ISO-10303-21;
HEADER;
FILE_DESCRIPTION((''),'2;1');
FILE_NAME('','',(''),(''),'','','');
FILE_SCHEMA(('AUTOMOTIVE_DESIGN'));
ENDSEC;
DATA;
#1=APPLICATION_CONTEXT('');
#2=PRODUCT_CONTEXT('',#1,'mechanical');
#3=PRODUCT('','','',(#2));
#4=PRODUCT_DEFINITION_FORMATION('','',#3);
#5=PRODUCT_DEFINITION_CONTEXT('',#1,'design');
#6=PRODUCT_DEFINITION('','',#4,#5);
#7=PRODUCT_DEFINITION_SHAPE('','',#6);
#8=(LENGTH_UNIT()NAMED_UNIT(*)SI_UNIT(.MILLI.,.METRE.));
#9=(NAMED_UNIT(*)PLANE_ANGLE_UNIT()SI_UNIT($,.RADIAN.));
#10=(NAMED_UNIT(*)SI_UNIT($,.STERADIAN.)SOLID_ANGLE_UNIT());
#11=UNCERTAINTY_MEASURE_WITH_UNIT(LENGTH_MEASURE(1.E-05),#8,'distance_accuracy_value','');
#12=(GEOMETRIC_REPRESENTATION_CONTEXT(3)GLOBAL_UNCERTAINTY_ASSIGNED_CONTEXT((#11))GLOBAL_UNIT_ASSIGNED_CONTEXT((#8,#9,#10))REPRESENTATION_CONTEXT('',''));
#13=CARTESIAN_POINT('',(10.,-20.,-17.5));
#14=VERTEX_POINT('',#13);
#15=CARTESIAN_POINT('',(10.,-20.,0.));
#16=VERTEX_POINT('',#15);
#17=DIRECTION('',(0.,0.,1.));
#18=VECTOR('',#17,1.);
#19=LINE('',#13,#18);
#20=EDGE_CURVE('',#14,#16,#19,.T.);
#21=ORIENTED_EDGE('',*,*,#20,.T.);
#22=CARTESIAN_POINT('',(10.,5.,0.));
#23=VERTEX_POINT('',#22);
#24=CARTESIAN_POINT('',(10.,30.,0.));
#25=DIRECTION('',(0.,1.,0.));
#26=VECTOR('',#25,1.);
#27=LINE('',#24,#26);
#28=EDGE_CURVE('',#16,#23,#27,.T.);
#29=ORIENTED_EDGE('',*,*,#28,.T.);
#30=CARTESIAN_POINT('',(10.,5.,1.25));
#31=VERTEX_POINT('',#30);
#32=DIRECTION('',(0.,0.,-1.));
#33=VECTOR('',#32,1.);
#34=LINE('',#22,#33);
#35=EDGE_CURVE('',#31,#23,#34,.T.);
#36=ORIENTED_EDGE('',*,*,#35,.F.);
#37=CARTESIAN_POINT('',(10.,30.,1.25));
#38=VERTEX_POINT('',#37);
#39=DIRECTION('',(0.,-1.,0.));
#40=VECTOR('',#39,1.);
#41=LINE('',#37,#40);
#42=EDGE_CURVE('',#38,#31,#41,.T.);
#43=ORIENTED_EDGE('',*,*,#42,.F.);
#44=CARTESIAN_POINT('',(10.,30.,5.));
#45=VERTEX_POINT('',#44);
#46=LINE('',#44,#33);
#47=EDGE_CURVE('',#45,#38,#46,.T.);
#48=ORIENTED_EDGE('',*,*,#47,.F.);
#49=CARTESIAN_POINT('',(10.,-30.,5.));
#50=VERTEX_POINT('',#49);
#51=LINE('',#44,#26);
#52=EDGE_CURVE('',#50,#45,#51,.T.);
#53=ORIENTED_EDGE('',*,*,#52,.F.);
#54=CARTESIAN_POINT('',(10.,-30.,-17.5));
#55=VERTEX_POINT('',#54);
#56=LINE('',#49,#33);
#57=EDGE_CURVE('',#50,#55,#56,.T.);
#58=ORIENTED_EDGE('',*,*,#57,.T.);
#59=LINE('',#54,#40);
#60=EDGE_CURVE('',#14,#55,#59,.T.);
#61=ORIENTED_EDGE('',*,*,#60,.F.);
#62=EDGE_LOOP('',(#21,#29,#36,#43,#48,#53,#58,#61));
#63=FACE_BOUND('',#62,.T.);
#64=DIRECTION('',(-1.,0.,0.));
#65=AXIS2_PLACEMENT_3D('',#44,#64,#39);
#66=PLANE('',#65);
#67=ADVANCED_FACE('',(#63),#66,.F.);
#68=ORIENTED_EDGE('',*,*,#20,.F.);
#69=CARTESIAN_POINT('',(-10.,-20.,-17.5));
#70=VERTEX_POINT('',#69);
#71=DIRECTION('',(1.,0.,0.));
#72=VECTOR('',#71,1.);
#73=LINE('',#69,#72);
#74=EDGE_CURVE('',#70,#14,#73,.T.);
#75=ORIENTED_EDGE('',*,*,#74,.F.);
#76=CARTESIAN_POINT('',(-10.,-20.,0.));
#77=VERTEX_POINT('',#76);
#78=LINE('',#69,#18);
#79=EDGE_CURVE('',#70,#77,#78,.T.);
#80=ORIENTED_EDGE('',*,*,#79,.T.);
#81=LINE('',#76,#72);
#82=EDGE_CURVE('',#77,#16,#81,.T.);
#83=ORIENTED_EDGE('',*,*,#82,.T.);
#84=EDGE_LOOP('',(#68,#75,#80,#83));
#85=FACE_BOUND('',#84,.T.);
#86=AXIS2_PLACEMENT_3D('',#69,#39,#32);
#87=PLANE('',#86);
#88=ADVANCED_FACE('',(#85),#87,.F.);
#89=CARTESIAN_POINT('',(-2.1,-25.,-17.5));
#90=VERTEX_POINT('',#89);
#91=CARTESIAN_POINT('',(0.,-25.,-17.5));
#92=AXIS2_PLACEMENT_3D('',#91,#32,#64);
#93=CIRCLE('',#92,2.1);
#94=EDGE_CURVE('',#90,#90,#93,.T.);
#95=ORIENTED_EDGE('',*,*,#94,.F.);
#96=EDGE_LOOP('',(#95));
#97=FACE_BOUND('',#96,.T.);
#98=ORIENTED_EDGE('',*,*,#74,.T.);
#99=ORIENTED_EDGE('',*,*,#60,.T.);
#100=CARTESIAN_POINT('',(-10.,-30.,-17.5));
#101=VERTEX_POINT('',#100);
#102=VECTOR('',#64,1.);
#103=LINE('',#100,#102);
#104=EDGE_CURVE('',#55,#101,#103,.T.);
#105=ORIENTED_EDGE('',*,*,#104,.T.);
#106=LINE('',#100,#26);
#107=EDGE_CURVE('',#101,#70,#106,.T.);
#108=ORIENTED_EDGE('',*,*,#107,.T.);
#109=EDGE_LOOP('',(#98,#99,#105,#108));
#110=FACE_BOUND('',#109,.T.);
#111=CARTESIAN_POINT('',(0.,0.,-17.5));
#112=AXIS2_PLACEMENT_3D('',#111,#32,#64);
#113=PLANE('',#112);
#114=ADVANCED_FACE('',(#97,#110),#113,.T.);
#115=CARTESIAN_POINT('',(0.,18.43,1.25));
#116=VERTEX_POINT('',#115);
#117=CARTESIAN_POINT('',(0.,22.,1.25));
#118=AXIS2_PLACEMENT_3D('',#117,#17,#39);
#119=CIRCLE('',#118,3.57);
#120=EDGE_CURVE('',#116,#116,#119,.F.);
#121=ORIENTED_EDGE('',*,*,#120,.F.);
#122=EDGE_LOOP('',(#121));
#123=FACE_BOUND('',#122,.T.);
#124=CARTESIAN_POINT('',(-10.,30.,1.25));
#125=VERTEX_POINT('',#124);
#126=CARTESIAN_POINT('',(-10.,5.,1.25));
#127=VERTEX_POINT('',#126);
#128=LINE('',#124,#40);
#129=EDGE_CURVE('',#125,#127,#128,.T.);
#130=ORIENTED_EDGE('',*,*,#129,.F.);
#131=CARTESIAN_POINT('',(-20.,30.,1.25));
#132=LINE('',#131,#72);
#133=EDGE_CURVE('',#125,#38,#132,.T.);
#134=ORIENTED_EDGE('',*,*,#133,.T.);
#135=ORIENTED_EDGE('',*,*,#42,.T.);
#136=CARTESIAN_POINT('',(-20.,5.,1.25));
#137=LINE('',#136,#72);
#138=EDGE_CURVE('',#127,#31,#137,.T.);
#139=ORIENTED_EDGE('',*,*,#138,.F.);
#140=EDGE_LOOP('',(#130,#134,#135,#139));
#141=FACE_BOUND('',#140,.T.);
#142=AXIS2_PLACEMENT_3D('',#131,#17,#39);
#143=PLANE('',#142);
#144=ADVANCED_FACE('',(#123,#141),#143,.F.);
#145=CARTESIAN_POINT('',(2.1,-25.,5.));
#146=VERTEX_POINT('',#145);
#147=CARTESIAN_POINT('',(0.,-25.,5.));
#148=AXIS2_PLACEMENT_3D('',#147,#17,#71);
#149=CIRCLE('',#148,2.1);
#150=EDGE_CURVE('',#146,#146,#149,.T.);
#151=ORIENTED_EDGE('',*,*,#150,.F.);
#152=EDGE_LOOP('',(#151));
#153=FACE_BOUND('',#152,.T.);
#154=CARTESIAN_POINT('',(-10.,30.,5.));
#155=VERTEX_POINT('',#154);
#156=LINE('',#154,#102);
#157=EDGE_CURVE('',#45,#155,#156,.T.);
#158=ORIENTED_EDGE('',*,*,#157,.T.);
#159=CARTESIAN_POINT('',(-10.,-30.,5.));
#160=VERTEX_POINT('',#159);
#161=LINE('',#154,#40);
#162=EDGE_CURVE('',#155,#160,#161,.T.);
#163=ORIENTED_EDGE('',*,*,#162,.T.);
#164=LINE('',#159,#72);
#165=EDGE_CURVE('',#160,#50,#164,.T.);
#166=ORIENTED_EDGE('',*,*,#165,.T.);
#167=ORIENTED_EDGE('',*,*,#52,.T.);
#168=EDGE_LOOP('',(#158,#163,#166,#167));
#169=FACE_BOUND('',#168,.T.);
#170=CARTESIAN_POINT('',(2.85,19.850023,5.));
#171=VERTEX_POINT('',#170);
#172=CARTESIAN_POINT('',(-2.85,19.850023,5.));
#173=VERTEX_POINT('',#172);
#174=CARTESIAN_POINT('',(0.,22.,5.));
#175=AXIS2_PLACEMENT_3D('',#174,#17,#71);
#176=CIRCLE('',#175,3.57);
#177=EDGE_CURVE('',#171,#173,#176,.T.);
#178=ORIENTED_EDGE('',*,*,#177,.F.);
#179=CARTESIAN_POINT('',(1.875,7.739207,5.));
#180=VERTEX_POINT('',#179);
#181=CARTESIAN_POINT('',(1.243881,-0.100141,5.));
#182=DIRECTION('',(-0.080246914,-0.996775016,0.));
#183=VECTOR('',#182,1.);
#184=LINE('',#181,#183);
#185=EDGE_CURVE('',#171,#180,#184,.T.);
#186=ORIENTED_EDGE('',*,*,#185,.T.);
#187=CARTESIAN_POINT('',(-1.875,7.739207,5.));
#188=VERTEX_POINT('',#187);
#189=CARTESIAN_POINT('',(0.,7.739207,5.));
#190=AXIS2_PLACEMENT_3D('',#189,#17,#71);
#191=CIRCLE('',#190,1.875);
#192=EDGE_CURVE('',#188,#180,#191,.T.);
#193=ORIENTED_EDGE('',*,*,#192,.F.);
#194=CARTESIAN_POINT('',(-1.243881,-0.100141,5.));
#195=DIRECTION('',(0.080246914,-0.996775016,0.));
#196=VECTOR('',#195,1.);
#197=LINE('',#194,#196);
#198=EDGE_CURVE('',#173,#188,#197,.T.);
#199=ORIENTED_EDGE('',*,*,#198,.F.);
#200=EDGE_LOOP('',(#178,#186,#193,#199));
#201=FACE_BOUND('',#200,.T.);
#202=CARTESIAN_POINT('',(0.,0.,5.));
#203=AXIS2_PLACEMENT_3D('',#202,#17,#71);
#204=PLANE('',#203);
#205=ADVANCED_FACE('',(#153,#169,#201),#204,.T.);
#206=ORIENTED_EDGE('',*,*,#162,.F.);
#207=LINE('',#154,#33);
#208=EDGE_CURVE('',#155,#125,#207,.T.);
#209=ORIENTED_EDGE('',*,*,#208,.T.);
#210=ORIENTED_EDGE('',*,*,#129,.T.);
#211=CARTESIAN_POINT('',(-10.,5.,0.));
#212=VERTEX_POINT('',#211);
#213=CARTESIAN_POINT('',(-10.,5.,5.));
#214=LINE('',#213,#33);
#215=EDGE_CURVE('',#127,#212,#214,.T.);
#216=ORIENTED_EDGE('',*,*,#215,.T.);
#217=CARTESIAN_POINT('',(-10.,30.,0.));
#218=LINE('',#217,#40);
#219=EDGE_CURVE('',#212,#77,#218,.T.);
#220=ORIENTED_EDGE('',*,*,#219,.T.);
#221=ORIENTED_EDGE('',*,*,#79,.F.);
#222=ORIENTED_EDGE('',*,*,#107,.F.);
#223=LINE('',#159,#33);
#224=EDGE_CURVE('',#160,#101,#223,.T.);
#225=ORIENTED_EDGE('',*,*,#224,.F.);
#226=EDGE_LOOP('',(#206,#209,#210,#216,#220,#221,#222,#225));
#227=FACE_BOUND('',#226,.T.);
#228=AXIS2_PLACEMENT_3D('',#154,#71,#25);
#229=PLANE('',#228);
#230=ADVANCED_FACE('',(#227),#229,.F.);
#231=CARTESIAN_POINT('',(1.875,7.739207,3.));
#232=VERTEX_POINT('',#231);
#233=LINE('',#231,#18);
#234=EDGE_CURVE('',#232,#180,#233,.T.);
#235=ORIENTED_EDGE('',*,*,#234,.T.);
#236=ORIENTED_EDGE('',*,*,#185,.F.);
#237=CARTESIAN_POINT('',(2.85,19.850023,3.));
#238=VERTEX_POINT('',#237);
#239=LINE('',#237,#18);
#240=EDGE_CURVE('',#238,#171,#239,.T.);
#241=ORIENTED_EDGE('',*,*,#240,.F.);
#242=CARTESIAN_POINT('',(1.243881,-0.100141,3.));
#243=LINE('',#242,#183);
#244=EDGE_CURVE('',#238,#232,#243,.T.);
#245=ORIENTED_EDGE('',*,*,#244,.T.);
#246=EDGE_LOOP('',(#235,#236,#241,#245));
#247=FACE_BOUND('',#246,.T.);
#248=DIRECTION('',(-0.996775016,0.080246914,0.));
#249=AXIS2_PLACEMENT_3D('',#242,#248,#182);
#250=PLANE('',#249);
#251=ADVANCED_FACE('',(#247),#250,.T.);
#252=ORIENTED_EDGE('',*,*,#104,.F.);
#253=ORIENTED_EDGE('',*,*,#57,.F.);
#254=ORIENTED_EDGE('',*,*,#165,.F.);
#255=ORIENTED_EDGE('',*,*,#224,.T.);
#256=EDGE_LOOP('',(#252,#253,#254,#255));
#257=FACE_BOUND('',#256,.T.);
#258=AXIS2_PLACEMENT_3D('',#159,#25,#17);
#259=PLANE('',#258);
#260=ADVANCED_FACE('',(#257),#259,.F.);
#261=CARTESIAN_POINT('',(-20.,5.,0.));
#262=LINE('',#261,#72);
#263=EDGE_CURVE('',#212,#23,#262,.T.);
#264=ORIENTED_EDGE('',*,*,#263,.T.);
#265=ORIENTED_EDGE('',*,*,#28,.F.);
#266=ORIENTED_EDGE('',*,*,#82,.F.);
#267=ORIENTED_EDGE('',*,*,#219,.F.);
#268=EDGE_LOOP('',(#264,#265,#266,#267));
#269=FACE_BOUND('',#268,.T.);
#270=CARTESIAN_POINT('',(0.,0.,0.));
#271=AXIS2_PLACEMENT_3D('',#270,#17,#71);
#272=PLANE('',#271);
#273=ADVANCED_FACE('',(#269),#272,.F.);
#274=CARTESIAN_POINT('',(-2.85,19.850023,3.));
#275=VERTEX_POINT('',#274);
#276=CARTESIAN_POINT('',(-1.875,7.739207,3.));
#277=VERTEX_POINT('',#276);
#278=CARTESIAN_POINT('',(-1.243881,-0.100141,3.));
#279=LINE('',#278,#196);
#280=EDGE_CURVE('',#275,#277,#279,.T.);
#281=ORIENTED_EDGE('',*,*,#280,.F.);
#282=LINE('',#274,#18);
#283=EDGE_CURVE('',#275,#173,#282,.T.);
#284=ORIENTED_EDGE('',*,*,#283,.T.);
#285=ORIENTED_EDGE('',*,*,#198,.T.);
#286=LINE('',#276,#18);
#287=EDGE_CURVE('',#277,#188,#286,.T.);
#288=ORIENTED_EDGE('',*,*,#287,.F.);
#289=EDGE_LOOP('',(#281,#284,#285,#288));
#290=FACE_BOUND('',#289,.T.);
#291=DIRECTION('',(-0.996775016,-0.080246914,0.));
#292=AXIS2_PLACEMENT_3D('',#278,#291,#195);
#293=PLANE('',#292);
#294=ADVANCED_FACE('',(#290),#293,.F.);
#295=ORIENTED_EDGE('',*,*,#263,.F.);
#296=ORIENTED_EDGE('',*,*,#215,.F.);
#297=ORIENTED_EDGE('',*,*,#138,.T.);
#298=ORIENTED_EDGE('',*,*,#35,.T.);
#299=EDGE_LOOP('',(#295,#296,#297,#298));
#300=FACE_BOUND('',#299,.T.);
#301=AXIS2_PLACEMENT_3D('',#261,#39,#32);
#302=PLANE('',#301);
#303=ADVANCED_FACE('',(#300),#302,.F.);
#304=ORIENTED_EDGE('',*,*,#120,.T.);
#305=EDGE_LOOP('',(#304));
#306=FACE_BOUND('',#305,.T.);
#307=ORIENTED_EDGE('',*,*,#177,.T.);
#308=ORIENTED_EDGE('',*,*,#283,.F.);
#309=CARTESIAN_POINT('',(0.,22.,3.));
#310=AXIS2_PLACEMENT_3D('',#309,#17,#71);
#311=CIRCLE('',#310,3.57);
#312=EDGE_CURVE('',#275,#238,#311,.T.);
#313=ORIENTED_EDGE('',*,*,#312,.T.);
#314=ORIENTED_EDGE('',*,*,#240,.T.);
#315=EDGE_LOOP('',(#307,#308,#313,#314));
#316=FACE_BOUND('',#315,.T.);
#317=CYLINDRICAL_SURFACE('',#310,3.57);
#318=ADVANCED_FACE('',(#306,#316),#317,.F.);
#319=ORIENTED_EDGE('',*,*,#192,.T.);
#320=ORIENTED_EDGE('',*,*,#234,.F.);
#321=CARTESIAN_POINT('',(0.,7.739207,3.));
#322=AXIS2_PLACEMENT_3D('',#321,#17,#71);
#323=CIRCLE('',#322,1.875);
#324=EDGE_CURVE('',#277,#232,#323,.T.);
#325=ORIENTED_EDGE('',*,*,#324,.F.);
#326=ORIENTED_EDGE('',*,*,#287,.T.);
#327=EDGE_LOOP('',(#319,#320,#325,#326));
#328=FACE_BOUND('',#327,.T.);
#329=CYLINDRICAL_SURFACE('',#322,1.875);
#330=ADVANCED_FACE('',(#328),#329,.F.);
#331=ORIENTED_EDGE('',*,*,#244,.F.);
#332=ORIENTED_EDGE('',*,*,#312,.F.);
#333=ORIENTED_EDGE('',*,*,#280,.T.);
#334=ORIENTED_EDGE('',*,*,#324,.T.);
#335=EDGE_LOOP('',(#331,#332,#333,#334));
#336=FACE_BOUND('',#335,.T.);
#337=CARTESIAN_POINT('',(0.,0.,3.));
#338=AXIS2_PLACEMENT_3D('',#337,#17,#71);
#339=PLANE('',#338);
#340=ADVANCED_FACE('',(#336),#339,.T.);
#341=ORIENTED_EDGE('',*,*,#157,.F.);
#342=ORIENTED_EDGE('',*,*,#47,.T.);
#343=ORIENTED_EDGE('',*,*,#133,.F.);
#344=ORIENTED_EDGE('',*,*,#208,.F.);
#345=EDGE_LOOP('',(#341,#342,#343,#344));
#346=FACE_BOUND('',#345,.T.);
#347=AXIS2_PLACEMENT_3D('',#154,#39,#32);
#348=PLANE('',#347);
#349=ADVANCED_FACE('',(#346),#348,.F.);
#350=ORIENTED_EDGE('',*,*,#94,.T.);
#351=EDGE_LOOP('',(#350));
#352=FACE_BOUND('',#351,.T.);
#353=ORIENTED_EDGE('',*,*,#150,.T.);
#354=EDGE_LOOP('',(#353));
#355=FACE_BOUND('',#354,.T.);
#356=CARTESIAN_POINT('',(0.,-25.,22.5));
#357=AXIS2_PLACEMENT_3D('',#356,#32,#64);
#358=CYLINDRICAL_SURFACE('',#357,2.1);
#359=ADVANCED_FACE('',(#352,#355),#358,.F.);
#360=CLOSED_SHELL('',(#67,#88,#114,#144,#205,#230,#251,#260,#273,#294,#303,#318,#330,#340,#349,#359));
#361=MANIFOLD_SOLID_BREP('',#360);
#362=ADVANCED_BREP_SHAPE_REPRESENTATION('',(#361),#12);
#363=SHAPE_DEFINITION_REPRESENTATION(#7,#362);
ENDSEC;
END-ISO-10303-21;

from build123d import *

# Parameters (mm, degrees)
SKETCH3_W           = 20
SKETCH3_H           = 60
BOSS_EXTRUDE3_DEPTH = 5
CUT_EXTRUDE2_DEPTH  = 2
SKETCH6_R           = 3.57
CUT_EXTRUDE3_DEPTH  = 3
SKETCH7_W           = 20
SKETCH7_H           = 10
BOSS_EXTRUDE4_DEPTH = 17.5
SKETCH8_R           = 2.1
CUT_EXTRUDE4_DEPTH  = 40
SKETCH9_W           = 1.25
SKETCH9_H           = 25
CUT_EXTRUDE5_DEPTH  = 30


with BuildPart() as part:
    # Sketch3 → Boss-Extrude3 (new body)
    with BuildSketch(Plane.XY):
        Rectangle(SKETCH3_W, SKETCH3_H)
    extrude(amount=BOSS_EXTRUDE3_DEPTH)

    # Sketch4 → Cut-Extrude2 (cut)
    with BuildSketch(Plane.XY.offset(5)):
        with BuildLine():
            Line((-2.85, 19.850023256), (-1.875, 7.739206809))
            Line((-1.875, 7.739206809), (1.875, 7.739206809))
            Line((1.875, 7.739206809), (2.85, 19.850023256))
            ThreePointArc((2.85, 19.850023256), (0, 18.43), (-2.85, 19.850023256))
        make_face()
        with BuildLine():
            Line((1.875, 7.739206809), (-1.875, 7.739206809))
            ThreePointArc((-1.875, 7.739206809), (0, 5.864206809), (1.875, 7.739206809))
        make_face()
        with BuildLine():
            ThreePointArc((3.57, 22), (-1.133666618, 25.385217866), (-2.85, 19.850023256))
            Line((-2.85, 19.850023256), (2.85, 19.850023256))
            ThreePointArc((2.85, 19.850023256), (3.385217866, 20.866333382), (3.57, 22))
        make_face()
        with BuildLine():
            Line((2.85, 19.850023256), (-2.85, 19.850023256))
            ThreePointArc((-2.85, 19.850023256), (0, 18.43), (2.85, 19.850023256))
        make_face()
    extrude(amount=-CUT_EXTRUDE2_DEPTH, mode=Mode.SUBTRACT)

    # Sketch6 → Cut-Extrude3 (cut)
    with BuildSketch(Plane.XY.offset(3)):
        with Locations((0, 22)):
            Circle(SKETCH6_R)
    extrude(amount=-CUT_EXTRUDE3_DEPTH, mode=Mode.SUBTRACT)

    # Sketch7 → Boss-Extrude4 (add)
    with BuildSketch(Plane(origin=(0, 0, 0), x_dir=(-1, 0, 0), z_dir=(0, 0, -1))):
        with Locations((0, -25)):
            Rectangle(SKETCH7_W, SKETCH7_H)
    extrude(amount=BOSS_EXTRUDE4_DEPTH)

    # Sketch8 → Cut-Extrude4 (cut)
    with BuildSketch(Plane(origin=(0, 0, -17.5), x_dir=(-1, 0, 0), z_dir=(0, 0, -1))):
        with Locations((0, -25)):
            Circle(SKETCH8_R)
    extrude(amount=-CUT_EXTRUDE4_DEPTH, mode=Mode.SUBTRACT)

    # Sketch9 → Cut-Extrude5 (cut)
    with BuildSketch(Plane(origin=(10, 0, 0), x_dir=(0, 0, -1), z_dir=(1, 0, 0))):
        with Locations((-0.625, 17.5)):
            Rectangle(SKETCH9_W, SKETCH9_H)
    extrude(amount=-CUT_EXTRUDE5_DEPTH, mode=Mode.SUBTRACT)


solid = part.part
